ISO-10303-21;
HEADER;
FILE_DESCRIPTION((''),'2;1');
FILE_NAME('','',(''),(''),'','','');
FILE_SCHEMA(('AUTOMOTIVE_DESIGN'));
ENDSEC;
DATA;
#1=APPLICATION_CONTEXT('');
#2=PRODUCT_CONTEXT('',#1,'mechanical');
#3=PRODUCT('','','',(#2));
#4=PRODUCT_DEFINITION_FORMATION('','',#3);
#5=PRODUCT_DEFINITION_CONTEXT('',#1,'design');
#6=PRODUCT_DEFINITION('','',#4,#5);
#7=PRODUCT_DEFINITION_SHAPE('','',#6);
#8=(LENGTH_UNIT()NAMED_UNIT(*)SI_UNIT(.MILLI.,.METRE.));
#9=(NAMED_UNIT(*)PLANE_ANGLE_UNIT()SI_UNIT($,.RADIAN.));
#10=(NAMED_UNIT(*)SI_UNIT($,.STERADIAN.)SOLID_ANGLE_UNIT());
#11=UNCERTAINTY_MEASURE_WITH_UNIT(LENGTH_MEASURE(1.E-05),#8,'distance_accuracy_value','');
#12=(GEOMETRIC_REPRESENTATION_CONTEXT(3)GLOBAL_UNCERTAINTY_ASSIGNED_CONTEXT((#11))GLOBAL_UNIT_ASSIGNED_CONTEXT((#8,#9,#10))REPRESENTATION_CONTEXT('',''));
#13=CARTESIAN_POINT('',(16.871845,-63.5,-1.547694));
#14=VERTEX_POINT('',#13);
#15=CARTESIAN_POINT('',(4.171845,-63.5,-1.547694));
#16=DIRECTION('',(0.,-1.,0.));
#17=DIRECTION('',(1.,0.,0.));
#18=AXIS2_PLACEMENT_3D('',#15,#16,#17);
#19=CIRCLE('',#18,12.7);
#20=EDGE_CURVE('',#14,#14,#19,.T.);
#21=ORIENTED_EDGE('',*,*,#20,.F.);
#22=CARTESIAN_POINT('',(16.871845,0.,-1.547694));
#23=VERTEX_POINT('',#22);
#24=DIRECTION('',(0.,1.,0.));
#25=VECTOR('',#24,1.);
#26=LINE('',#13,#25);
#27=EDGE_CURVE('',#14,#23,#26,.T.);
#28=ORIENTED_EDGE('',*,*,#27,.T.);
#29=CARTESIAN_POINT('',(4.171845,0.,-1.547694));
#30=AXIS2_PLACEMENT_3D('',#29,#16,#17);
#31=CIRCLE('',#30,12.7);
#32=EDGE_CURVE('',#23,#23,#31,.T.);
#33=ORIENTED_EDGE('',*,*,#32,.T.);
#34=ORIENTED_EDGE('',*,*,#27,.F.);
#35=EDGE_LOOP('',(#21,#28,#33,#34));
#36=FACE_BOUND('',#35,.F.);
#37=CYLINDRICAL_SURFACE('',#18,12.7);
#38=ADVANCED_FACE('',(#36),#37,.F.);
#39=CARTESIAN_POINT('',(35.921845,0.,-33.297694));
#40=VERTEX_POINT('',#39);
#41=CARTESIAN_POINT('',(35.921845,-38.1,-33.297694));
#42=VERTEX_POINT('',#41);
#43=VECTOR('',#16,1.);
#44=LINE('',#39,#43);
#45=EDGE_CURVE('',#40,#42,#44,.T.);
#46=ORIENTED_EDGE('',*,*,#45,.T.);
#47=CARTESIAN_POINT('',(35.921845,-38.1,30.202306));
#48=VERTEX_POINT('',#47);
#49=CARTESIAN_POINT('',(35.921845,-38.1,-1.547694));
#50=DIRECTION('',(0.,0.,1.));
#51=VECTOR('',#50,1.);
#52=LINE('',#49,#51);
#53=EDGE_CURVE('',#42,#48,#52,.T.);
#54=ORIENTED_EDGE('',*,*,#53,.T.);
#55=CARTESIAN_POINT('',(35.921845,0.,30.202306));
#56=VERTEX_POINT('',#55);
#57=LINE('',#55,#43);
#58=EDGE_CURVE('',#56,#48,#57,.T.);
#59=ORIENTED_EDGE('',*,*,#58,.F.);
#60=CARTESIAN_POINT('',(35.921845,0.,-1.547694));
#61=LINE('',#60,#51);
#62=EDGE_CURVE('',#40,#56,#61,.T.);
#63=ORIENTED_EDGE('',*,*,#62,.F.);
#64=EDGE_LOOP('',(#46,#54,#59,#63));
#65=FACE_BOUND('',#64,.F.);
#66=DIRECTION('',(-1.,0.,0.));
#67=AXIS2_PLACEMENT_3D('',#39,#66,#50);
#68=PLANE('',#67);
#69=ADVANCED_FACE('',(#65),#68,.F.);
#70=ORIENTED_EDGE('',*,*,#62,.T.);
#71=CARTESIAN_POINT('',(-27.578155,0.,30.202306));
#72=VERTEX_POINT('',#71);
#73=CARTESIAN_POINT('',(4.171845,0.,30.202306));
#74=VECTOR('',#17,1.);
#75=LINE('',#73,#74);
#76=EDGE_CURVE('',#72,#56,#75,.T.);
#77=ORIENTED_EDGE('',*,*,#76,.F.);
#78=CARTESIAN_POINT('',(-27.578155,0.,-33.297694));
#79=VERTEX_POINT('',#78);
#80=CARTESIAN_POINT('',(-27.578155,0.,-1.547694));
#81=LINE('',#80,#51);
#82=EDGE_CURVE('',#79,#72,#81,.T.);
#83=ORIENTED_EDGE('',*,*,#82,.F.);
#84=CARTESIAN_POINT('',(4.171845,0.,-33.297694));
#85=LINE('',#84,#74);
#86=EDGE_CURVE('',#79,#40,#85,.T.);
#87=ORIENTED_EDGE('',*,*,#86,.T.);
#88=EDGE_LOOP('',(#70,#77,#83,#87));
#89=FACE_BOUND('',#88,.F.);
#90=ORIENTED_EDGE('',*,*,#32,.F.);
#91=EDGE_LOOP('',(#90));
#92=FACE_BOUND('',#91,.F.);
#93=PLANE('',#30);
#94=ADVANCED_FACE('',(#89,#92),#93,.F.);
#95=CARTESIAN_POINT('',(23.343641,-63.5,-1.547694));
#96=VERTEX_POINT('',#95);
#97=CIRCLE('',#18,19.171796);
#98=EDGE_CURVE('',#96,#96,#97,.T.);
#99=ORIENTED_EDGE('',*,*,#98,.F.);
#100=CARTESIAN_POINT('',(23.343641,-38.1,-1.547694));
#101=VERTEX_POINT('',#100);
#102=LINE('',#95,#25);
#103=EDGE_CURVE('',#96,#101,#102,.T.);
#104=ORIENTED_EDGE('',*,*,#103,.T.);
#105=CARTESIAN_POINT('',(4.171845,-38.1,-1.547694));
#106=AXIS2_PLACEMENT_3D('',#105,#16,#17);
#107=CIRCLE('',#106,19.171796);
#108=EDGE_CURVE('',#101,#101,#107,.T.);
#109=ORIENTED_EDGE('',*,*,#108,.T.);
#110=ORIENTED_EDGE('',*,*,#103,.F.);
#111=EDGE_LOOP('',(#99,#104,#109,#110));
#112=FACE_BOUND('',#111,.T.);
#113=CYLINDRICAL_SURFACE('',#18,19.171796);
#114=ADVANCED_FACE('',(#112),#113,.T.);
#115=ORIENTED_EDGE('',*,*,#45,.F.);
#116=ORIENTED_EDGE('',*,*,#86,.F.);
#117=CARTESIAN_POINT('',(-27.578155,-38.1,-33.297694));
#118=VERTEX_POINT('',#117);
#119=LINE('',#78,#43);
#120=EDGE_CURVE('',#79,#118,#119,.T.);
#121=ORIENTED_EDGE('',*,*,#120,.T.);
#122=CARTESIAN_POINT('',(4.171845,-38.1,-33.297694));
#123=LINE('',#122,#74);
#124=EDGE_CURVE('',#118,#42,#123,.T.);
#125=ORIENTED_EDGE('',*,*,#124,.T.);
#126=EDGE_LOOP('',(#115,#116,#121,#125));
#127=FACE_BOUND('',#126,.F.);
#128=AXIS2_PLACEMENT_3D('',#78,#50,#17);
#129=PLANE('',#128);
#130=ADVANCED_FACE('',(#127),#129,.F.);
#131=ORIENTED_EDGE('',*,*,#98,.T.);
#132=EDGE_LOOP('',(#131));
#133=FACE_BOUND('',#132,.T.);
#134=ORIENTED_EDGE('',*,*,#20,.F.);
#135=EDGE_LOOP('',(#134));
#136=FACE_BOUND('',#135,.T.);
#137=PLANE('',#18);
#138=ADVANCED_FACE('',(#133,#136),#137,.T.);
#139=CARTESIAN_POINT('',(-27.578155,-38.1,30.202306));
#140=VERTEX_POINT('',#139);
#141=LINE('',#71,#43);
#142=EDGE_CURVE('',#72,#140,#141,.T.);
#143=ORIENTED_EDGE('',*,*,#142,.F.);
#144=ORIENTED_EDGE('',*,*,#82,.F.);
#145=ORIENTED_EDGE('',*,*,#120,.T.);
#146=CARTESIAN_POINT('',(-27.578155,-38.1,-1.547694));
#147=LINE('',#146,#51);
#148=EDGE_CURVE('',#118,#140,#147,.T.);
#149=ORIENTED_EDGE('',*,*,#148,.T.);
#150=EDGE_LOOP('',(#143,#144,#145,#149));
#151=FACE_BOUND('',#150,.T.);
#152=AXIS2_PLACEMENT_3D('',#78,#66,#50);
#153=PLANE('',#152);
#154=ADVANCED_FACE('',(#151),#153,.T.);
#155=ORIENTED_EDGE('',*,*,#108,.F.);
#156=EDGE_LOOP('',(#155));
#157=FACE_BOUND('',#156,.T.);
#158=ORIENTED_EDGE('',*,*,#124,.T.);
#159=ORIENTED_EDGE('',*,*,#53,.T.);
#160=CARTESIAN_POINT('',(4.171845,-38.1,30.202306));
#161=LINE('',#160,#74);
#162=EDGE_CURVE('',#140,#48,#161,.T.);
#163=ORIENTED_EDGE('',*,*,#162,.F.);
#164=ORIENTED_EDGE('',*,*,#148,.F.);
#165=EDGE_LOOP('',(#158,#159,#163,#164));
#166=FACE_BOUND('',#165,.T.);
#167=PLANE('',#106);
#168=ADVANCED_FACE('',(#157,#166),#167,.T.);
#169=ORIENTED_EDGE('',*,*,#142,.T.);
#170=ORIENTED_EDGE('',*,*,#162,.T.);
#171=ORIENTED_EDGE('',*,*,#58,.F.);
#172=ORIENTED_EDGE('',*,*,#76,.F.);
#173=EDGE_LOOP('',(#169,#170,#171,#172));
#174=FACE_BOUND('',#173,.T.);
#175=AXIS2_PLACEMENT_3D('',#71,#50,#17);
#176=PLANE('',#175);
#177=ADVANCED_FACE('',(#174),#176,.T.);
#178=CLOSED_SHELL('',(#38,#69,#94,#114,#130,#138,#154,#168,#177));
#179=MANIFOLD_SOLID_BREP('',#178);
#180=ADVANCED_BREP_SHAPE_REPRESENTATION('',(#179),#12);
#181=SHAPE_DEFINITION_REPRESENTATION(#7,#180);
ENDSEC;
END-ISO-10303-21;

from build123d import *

# Parameters (mm, degrees)
F0_W     = 63.5
F0_H     = 63.5
F1_DEPTH = 63.5
F2_W     = 63.5
F2_H     = 63.5
F2_R     = 19.171796
F3_DEPTH = 25.4
F4_R     = 12.7
F5_DEPTH = 63.754


with BuildPart() as f1:
    # F0 (on Front) → F1 (new body)
    with BuildSketch(Plane.XZ):
        with Locations((4.171845, -1.547694)):
            Rectangle(F0_W, F0_H)
    extrude(amount=F1_DEPTH)

    # F2 (on face) → F3 (cut)
    with BuildSketch(Plane.XZ.offset(63.5)):
        with Locations((4.171845, -1.547694)):
            Rectangle(F2_W, F2_H)
        with Locations((4.171845, -1.547694)):
            Circle(F2_R, mode=Mode.SUBTRACT)
    extrude(amount=-F3_DEPTH, mode=Mode.SUBTRACT)

    # F4 (on face) → F5 (cut)
    with BuildSketch(Plane.XZ.offset(63.5)):
        with Locations((4.171845, -1.547694)):
            Circle(F4_R)
    extrude(amount=-F5_DEPTH, mode=Mode.SUBTRACT)


solid = f1.part
